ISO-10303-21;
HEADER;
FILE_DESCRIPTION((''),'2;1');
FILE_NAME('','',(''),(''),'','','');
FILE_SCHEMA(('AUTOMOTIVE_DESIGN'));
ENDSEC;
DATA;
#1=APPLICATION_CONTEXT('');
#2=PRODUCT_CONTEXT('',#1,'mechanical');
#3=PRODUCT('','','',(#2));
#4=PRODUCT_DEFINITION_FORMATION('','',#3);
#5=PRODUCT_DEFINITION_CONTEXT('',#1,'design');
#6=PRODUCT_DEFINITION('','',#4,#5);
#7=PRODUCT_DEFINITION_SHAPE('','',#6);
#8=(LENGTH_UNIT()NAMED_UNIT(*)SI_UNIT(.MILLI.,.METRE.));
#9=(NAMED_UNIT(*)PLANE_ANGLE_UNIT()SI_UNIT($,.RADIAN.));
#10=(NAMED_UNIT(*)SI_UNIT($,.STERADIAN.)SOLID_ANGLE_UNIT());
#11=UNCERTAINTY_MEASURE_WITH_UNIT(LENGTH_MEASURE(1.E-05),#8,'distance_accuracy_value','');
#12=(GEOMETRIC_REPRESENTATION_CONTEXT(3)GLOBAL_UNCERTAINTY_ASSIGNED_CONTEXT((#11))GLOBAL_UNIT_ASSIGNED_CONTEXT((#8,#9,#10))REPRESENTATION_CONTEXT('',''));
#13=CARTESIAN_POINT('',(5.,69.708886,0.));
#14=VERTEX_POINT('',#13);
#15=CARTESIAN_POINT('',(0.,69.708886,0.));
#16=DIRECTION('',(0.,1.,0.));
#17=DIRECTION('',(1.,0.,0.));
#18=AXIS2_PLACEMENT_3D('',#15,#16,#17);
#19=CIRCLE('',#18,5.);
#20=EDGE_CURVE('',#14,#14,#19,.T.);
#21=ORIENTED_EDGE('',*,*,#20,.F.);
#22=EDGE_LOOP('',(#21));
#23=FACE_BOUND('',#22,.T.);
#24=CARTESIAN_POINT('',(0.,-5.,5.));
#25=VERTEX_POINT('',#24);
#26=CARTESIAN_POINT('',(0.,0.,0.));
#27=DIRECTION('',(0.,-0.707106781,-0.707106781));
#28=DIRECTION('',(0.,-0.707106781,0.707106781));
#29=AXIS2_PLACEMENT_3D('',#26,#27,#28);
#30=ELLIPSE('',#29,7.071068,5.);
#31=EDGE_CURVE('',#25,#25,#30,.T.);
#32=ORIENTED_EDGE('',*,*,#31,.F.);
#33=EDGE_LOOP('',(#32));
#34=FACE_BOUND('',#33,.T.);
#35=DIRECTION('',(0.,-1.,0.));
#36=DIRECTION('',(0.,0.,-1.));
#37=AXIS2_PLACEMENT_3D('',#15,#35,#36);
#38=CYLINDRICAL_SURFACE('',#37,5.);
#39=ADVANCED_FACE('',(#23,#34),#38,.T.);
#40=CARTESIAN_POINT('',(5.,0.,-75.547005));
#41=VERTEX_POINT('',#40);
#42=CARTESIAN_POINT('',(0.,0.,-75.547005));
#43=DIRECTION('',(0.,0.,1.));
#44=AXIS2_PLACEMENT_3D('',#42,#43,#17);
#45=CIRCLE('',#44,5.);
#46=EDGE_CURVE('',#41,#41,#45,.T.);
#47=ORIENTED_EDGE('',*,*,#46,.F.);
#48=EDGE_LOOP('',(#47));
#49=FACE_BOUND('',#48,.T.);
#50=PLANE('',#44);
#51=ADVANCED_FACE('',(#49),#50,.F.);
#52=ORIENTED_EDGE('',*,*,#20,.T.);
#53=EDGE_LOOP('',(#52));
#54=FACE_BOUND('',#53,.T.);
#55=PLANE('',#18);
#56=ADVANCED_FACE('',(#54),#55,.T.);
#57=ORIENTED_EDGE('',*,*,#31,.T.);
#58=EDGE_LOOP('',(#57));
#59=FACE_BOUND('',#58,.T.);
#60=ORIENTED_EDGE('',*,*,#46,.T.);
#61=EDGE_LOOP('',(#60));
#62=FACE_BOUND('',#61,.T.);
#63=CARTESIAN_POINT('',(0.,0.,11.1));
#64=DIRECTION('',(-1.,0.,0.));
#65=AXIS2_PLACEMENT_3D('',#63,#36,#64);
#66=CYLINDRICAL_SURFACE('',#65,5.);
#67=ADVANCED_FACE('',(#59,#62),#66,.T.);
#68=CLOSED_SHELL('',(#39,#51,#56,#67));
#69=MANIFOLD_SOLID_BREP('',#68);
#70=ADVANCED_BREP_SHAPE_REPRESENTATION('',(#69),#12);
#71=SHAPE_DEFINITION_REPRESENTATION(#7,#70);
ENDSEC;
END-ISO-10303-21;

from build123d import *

# Parameters (mm, degrees)
SWEEP_2_PROFILE_R = 5


with BuildPart() as part:
    # 扫描2: sweep along a curve in space
    with BuildLine() as sweep_2_path:
        Line((0, 69.708885629, 0), (0, 0, 0))
        Line((0, 0, 0), (0, 0, -75.547004801))
    # 扫描2 profile (on start of the path) → 扫描2 (sweep)
    with BuildSketch(Plane(origin=(0, 69.708885629, 0), x_dir=(0, 0, -1), z_dir=(0, -1, 0))):
        Circle(SWEEP_2_PROFILE_R)
    sweep(path=sweep_2_path.line, transition=Transition.RIGHT)


solid = part.part
